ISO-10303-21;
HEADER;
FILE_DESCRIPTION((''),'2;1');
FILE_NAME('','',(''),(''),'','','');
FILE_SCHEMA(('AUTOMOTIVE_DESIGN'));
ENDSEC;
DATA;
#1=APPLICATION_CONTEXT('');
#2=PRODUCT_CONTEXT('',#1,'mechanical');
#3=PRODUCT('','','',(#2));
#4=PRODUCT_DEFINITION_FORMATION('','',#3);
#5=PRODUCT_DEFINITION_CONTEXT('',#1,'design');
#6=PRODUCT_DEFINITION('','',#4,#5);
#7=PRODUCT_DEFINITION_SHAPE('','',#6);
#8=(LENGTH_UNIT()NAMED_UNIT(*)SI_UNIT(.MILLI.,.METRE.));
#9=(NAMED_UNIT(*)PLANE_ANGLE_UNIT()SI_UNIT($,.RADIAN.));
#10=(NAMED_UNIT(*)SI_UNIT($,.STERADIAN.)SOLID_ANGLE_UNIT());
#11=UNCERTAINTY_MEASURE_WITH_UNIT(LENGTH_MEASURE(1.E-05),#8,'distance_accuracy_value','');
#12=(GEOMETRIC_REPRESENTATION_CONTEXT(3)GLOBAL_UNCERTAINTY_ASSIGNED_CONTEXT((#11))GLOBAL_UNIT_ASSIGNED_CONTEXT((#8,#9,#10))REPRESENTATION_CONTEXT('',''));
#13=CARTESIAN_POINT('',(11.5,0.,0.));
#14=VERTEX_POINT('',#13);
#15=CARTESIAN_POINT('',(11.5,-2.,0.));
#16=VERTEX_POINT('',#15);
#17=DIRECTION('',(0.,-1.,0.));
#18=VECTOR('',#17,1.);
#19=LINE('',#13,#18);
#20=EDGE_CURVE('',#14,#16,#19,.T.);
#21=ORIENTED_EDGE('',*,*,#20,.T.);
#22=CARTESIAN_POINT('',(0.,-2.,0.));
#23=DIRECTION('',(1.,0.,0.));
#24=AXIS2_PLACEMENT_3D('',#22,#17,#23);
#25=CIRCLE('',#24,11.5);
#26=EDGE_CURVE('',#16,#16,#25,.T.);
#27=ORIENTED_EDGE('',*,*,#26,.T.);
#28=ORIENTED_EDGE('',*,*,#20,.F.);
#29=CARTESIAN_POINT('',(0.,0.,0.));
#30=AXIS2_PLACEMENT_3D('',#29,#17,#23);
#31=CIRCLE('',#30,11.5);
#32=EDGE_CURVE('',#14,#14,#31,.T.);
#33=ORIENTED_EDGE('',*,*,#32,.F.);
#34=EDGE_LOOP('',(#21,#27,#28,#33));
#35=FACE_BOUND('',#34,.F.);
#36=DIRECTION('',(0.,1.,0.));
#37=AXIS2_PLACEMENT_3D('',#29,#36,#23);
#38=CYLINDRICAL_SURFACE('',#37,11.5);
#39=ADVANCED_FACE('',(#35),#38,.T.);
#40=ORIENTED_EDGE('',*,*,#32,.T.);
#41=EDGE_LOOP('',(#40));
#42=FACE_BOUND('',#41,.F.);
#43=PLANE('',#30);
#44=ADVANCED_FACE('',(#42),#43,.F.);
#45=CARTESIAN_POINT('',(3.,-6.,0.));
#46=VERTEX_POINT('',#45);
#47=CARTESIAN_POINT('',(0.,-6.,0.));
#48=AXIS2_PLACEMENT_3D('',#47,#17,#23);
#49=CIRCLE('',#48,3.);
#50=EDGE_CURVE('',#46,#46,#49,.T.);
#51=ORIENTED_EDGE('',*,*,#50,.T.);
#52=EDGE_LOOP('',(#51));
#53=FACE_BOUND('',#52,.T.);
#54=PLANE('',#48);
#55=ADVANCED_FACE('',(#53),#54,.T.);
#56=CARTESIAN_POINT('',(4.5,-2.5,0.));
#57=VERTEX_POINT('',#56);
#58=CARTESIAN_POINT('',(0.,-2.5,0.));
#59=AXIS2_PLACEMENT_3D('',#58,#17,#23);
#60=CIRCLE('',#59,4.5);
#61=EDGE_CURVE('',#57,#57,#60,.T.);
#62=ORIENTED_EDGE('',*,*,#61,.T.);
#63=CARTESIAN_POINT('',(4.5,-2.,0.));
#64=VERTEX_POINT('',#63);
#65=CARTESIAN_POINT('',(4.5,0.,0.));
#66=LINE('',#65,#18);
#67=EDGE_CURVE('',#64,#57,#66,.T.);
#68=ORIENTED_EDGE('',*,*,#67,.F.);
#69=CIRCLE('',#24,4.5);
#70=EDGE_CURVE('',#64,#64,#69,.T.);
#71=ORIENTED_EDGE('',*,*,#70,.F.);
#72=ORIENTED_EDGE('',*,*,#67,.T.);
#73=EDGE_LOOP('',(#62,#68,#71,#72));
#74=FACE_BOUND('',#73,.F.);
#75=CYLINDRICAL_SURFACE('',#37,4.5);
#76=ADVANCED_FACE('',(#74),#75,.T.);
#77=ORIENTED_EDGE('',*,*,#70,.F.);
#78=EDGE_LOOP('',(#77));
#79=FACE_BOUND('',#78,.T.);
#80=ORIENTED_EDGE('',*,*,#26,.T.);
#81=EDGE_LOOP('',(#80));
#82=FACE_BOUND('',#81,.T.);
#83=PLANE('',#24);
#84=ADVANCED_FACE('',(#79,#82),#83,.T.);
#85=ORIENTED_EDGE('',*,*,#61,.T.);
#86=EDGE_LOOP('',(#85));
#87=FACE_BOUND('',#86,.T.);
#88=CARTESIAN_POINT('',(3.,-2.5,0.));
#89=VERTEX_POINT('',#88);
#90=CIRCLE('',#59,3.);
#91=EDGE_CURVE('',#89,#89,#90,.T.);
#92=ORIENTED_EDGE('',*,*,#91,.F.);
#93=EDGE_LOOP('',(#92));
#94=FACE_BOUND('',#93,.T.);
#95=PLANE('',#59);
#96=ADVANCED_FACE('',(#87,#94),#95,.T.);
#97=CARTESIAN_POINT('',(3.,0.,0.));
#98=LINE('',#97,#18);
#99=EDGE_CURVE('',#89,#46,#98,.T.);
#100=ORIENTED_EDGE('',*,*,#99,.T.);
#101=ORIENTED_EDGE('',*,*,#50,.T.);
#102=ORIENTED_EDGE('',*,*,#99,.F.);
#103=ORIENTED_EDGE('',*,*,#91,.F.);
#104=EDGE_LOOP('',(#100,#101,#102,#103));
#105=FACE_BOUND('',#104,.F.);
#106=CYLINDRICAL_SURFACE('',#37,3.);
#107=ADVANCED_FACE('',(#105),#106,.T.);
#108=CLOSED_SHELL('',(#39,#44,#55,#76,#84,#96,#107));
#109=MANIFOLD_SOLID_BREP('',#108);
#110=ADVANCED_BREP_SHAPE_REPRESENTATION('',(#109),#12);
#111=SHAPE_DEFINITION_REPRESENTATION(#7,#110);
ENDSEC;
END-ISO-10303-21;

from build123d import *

# Parameters (mm, degrees)
F0_R     = 3
F0_R_2   = 4.5
F0_R_3   = 11.5
F1_DEPTH = 2
F2_DEPTH = 2.5
F3_DEPTH = 6


with BuildPart() as f1:
    # F0 (on Front) → F1 (new body)
    with BuildSketch(Plane.XZ):
        Circle(F0_R)
        Circle(F0_R_2)
        Circle(F0_R, mode=Mode.SUBTRACT)
        Circle(F0_R_3)
        Circle(F0_R_2, mode=Mode.SUBTRACT)
    extrude(amount=F1_DEPTH)

    # F0 (on Front) → F2 (join)
    with BuildSketch(Plane.XZ):
        Circle(F0_R_2)
        Circle(F0_R, mode=Mode.SUBTRACT)
    extrude(amount=F2_DEPTH)

    # F0 (on Front) → F3 (join)
    with BuildSketch(Plane.XZ):
        Circle(F0_R)
    extrude(amount=F3_DEPTH)


solid = f1.part
